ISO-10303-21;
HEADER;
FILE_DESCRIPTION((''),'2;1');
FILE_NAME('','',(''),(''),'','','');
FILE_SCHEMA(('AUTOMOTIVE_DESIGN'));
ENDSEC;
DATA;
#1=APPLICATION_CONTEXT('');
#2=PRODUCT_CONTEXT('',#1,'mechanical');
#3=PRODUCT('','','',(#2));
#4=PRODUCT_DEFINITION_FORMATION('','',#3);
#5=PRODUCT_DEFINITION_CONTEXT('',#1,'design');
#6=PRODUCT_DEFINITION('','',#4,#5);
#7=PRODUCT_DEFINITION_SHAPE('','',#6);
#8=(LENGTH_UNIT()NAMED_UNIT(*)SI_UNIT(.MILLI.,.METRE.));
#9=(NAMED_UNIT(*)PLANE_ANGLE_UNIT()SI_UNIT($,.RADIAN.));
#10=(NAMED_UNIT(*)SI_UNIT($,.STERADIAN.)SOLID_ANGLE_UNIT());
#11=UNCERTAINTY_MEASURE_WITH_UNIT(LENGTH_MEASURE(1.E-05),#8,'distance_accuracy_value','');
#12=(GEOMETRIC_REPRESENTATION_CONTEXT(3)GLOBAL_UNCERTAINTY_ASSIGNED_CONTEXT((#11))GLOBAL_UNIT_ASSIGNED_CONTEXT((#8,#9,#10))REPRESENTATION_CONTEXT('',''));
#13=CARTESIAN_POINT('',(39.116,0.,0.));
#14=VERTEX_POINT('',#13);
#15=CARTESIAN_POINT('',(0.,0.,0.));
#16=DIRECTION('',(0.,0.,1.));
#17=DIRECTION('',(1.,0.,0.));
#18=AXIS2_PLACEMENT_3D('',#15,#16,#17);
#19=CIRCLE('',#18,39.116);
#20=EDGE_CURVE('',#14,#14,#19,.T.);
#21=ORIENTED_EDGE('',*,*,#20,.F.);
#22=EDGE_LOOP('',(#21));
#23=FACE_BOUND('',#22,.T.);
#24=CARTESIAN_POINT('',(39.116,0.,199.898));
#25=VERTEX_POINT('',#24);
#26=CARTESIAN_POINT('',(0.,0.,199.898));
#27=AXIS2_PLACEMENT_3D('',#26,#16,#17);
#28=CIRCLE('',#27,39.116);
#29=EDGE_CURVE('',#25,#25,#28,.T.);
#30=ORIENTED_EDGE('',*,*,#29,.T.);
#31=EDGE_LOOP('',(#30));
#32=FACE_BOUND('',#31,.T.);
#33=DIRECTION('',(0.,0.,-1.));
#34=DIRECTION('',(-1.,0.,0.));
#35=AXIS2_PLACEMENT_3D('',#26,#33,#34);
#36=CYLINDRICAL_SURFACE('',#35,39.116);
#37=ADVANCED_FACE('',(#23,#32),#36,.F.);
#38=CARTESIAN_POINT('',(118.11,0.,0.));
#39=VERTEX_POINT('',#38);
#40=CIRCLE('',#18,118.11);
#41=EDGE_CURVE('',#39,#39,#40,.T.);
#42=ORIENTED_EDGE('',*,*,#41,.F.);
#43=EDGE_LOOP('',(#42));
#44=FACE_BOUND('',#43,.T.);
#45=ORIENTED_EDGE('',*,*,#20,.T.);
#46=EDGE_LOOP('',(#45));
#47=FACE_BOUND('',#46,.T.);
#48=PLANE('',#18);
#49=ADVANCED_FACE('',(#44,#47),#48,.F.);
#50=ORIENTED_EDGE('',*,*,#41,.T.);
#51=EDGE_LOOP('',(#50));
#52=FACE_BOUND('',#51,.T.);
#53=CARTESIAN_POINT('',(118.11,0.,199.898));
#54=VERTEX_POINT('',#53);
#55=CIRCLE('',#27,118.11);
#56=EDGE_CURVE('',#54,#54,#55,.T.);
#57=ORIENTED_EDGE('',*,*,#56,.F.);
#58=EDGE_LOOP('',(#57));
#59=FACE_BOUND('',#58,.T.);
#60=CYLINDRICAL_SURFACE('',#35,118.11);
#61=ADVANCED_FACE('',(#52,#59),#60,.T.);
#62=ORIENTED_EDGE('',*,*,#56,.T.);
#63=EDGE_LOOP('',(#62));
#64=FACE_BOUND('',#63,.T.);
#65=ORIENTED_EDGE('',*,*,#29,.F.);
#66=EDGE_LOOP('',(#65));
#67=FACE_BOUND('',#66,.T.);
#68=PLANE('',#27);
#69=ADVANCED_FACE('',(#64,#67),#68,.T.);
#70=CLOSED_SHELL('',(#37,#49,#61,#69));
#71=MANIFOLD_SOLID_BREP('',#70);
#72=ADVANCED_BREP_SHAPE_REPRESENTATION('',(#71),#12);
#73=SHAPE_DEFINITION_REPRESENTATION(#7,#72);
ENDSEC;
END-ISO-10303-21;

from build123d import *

# Parameters (mm, degrees)
SKETCH1_R           = 118.11
SKETCH1_R_2         = 39.116
BOSS_EXTRUDE1_DEPTH = 199.898


with BuildPart() as part:
    # Sketch1 → Boss-Extrude1 (new body)
    with BuildSketch(Plane.XY):
        Circle(SKETCH1_R)
        Circle(SKETCH1_R_2, mode=Mode.SUBTRACT)
    extrude(amount=BOSS_EXTRUDE1_DEPTH)


solid = part.part
